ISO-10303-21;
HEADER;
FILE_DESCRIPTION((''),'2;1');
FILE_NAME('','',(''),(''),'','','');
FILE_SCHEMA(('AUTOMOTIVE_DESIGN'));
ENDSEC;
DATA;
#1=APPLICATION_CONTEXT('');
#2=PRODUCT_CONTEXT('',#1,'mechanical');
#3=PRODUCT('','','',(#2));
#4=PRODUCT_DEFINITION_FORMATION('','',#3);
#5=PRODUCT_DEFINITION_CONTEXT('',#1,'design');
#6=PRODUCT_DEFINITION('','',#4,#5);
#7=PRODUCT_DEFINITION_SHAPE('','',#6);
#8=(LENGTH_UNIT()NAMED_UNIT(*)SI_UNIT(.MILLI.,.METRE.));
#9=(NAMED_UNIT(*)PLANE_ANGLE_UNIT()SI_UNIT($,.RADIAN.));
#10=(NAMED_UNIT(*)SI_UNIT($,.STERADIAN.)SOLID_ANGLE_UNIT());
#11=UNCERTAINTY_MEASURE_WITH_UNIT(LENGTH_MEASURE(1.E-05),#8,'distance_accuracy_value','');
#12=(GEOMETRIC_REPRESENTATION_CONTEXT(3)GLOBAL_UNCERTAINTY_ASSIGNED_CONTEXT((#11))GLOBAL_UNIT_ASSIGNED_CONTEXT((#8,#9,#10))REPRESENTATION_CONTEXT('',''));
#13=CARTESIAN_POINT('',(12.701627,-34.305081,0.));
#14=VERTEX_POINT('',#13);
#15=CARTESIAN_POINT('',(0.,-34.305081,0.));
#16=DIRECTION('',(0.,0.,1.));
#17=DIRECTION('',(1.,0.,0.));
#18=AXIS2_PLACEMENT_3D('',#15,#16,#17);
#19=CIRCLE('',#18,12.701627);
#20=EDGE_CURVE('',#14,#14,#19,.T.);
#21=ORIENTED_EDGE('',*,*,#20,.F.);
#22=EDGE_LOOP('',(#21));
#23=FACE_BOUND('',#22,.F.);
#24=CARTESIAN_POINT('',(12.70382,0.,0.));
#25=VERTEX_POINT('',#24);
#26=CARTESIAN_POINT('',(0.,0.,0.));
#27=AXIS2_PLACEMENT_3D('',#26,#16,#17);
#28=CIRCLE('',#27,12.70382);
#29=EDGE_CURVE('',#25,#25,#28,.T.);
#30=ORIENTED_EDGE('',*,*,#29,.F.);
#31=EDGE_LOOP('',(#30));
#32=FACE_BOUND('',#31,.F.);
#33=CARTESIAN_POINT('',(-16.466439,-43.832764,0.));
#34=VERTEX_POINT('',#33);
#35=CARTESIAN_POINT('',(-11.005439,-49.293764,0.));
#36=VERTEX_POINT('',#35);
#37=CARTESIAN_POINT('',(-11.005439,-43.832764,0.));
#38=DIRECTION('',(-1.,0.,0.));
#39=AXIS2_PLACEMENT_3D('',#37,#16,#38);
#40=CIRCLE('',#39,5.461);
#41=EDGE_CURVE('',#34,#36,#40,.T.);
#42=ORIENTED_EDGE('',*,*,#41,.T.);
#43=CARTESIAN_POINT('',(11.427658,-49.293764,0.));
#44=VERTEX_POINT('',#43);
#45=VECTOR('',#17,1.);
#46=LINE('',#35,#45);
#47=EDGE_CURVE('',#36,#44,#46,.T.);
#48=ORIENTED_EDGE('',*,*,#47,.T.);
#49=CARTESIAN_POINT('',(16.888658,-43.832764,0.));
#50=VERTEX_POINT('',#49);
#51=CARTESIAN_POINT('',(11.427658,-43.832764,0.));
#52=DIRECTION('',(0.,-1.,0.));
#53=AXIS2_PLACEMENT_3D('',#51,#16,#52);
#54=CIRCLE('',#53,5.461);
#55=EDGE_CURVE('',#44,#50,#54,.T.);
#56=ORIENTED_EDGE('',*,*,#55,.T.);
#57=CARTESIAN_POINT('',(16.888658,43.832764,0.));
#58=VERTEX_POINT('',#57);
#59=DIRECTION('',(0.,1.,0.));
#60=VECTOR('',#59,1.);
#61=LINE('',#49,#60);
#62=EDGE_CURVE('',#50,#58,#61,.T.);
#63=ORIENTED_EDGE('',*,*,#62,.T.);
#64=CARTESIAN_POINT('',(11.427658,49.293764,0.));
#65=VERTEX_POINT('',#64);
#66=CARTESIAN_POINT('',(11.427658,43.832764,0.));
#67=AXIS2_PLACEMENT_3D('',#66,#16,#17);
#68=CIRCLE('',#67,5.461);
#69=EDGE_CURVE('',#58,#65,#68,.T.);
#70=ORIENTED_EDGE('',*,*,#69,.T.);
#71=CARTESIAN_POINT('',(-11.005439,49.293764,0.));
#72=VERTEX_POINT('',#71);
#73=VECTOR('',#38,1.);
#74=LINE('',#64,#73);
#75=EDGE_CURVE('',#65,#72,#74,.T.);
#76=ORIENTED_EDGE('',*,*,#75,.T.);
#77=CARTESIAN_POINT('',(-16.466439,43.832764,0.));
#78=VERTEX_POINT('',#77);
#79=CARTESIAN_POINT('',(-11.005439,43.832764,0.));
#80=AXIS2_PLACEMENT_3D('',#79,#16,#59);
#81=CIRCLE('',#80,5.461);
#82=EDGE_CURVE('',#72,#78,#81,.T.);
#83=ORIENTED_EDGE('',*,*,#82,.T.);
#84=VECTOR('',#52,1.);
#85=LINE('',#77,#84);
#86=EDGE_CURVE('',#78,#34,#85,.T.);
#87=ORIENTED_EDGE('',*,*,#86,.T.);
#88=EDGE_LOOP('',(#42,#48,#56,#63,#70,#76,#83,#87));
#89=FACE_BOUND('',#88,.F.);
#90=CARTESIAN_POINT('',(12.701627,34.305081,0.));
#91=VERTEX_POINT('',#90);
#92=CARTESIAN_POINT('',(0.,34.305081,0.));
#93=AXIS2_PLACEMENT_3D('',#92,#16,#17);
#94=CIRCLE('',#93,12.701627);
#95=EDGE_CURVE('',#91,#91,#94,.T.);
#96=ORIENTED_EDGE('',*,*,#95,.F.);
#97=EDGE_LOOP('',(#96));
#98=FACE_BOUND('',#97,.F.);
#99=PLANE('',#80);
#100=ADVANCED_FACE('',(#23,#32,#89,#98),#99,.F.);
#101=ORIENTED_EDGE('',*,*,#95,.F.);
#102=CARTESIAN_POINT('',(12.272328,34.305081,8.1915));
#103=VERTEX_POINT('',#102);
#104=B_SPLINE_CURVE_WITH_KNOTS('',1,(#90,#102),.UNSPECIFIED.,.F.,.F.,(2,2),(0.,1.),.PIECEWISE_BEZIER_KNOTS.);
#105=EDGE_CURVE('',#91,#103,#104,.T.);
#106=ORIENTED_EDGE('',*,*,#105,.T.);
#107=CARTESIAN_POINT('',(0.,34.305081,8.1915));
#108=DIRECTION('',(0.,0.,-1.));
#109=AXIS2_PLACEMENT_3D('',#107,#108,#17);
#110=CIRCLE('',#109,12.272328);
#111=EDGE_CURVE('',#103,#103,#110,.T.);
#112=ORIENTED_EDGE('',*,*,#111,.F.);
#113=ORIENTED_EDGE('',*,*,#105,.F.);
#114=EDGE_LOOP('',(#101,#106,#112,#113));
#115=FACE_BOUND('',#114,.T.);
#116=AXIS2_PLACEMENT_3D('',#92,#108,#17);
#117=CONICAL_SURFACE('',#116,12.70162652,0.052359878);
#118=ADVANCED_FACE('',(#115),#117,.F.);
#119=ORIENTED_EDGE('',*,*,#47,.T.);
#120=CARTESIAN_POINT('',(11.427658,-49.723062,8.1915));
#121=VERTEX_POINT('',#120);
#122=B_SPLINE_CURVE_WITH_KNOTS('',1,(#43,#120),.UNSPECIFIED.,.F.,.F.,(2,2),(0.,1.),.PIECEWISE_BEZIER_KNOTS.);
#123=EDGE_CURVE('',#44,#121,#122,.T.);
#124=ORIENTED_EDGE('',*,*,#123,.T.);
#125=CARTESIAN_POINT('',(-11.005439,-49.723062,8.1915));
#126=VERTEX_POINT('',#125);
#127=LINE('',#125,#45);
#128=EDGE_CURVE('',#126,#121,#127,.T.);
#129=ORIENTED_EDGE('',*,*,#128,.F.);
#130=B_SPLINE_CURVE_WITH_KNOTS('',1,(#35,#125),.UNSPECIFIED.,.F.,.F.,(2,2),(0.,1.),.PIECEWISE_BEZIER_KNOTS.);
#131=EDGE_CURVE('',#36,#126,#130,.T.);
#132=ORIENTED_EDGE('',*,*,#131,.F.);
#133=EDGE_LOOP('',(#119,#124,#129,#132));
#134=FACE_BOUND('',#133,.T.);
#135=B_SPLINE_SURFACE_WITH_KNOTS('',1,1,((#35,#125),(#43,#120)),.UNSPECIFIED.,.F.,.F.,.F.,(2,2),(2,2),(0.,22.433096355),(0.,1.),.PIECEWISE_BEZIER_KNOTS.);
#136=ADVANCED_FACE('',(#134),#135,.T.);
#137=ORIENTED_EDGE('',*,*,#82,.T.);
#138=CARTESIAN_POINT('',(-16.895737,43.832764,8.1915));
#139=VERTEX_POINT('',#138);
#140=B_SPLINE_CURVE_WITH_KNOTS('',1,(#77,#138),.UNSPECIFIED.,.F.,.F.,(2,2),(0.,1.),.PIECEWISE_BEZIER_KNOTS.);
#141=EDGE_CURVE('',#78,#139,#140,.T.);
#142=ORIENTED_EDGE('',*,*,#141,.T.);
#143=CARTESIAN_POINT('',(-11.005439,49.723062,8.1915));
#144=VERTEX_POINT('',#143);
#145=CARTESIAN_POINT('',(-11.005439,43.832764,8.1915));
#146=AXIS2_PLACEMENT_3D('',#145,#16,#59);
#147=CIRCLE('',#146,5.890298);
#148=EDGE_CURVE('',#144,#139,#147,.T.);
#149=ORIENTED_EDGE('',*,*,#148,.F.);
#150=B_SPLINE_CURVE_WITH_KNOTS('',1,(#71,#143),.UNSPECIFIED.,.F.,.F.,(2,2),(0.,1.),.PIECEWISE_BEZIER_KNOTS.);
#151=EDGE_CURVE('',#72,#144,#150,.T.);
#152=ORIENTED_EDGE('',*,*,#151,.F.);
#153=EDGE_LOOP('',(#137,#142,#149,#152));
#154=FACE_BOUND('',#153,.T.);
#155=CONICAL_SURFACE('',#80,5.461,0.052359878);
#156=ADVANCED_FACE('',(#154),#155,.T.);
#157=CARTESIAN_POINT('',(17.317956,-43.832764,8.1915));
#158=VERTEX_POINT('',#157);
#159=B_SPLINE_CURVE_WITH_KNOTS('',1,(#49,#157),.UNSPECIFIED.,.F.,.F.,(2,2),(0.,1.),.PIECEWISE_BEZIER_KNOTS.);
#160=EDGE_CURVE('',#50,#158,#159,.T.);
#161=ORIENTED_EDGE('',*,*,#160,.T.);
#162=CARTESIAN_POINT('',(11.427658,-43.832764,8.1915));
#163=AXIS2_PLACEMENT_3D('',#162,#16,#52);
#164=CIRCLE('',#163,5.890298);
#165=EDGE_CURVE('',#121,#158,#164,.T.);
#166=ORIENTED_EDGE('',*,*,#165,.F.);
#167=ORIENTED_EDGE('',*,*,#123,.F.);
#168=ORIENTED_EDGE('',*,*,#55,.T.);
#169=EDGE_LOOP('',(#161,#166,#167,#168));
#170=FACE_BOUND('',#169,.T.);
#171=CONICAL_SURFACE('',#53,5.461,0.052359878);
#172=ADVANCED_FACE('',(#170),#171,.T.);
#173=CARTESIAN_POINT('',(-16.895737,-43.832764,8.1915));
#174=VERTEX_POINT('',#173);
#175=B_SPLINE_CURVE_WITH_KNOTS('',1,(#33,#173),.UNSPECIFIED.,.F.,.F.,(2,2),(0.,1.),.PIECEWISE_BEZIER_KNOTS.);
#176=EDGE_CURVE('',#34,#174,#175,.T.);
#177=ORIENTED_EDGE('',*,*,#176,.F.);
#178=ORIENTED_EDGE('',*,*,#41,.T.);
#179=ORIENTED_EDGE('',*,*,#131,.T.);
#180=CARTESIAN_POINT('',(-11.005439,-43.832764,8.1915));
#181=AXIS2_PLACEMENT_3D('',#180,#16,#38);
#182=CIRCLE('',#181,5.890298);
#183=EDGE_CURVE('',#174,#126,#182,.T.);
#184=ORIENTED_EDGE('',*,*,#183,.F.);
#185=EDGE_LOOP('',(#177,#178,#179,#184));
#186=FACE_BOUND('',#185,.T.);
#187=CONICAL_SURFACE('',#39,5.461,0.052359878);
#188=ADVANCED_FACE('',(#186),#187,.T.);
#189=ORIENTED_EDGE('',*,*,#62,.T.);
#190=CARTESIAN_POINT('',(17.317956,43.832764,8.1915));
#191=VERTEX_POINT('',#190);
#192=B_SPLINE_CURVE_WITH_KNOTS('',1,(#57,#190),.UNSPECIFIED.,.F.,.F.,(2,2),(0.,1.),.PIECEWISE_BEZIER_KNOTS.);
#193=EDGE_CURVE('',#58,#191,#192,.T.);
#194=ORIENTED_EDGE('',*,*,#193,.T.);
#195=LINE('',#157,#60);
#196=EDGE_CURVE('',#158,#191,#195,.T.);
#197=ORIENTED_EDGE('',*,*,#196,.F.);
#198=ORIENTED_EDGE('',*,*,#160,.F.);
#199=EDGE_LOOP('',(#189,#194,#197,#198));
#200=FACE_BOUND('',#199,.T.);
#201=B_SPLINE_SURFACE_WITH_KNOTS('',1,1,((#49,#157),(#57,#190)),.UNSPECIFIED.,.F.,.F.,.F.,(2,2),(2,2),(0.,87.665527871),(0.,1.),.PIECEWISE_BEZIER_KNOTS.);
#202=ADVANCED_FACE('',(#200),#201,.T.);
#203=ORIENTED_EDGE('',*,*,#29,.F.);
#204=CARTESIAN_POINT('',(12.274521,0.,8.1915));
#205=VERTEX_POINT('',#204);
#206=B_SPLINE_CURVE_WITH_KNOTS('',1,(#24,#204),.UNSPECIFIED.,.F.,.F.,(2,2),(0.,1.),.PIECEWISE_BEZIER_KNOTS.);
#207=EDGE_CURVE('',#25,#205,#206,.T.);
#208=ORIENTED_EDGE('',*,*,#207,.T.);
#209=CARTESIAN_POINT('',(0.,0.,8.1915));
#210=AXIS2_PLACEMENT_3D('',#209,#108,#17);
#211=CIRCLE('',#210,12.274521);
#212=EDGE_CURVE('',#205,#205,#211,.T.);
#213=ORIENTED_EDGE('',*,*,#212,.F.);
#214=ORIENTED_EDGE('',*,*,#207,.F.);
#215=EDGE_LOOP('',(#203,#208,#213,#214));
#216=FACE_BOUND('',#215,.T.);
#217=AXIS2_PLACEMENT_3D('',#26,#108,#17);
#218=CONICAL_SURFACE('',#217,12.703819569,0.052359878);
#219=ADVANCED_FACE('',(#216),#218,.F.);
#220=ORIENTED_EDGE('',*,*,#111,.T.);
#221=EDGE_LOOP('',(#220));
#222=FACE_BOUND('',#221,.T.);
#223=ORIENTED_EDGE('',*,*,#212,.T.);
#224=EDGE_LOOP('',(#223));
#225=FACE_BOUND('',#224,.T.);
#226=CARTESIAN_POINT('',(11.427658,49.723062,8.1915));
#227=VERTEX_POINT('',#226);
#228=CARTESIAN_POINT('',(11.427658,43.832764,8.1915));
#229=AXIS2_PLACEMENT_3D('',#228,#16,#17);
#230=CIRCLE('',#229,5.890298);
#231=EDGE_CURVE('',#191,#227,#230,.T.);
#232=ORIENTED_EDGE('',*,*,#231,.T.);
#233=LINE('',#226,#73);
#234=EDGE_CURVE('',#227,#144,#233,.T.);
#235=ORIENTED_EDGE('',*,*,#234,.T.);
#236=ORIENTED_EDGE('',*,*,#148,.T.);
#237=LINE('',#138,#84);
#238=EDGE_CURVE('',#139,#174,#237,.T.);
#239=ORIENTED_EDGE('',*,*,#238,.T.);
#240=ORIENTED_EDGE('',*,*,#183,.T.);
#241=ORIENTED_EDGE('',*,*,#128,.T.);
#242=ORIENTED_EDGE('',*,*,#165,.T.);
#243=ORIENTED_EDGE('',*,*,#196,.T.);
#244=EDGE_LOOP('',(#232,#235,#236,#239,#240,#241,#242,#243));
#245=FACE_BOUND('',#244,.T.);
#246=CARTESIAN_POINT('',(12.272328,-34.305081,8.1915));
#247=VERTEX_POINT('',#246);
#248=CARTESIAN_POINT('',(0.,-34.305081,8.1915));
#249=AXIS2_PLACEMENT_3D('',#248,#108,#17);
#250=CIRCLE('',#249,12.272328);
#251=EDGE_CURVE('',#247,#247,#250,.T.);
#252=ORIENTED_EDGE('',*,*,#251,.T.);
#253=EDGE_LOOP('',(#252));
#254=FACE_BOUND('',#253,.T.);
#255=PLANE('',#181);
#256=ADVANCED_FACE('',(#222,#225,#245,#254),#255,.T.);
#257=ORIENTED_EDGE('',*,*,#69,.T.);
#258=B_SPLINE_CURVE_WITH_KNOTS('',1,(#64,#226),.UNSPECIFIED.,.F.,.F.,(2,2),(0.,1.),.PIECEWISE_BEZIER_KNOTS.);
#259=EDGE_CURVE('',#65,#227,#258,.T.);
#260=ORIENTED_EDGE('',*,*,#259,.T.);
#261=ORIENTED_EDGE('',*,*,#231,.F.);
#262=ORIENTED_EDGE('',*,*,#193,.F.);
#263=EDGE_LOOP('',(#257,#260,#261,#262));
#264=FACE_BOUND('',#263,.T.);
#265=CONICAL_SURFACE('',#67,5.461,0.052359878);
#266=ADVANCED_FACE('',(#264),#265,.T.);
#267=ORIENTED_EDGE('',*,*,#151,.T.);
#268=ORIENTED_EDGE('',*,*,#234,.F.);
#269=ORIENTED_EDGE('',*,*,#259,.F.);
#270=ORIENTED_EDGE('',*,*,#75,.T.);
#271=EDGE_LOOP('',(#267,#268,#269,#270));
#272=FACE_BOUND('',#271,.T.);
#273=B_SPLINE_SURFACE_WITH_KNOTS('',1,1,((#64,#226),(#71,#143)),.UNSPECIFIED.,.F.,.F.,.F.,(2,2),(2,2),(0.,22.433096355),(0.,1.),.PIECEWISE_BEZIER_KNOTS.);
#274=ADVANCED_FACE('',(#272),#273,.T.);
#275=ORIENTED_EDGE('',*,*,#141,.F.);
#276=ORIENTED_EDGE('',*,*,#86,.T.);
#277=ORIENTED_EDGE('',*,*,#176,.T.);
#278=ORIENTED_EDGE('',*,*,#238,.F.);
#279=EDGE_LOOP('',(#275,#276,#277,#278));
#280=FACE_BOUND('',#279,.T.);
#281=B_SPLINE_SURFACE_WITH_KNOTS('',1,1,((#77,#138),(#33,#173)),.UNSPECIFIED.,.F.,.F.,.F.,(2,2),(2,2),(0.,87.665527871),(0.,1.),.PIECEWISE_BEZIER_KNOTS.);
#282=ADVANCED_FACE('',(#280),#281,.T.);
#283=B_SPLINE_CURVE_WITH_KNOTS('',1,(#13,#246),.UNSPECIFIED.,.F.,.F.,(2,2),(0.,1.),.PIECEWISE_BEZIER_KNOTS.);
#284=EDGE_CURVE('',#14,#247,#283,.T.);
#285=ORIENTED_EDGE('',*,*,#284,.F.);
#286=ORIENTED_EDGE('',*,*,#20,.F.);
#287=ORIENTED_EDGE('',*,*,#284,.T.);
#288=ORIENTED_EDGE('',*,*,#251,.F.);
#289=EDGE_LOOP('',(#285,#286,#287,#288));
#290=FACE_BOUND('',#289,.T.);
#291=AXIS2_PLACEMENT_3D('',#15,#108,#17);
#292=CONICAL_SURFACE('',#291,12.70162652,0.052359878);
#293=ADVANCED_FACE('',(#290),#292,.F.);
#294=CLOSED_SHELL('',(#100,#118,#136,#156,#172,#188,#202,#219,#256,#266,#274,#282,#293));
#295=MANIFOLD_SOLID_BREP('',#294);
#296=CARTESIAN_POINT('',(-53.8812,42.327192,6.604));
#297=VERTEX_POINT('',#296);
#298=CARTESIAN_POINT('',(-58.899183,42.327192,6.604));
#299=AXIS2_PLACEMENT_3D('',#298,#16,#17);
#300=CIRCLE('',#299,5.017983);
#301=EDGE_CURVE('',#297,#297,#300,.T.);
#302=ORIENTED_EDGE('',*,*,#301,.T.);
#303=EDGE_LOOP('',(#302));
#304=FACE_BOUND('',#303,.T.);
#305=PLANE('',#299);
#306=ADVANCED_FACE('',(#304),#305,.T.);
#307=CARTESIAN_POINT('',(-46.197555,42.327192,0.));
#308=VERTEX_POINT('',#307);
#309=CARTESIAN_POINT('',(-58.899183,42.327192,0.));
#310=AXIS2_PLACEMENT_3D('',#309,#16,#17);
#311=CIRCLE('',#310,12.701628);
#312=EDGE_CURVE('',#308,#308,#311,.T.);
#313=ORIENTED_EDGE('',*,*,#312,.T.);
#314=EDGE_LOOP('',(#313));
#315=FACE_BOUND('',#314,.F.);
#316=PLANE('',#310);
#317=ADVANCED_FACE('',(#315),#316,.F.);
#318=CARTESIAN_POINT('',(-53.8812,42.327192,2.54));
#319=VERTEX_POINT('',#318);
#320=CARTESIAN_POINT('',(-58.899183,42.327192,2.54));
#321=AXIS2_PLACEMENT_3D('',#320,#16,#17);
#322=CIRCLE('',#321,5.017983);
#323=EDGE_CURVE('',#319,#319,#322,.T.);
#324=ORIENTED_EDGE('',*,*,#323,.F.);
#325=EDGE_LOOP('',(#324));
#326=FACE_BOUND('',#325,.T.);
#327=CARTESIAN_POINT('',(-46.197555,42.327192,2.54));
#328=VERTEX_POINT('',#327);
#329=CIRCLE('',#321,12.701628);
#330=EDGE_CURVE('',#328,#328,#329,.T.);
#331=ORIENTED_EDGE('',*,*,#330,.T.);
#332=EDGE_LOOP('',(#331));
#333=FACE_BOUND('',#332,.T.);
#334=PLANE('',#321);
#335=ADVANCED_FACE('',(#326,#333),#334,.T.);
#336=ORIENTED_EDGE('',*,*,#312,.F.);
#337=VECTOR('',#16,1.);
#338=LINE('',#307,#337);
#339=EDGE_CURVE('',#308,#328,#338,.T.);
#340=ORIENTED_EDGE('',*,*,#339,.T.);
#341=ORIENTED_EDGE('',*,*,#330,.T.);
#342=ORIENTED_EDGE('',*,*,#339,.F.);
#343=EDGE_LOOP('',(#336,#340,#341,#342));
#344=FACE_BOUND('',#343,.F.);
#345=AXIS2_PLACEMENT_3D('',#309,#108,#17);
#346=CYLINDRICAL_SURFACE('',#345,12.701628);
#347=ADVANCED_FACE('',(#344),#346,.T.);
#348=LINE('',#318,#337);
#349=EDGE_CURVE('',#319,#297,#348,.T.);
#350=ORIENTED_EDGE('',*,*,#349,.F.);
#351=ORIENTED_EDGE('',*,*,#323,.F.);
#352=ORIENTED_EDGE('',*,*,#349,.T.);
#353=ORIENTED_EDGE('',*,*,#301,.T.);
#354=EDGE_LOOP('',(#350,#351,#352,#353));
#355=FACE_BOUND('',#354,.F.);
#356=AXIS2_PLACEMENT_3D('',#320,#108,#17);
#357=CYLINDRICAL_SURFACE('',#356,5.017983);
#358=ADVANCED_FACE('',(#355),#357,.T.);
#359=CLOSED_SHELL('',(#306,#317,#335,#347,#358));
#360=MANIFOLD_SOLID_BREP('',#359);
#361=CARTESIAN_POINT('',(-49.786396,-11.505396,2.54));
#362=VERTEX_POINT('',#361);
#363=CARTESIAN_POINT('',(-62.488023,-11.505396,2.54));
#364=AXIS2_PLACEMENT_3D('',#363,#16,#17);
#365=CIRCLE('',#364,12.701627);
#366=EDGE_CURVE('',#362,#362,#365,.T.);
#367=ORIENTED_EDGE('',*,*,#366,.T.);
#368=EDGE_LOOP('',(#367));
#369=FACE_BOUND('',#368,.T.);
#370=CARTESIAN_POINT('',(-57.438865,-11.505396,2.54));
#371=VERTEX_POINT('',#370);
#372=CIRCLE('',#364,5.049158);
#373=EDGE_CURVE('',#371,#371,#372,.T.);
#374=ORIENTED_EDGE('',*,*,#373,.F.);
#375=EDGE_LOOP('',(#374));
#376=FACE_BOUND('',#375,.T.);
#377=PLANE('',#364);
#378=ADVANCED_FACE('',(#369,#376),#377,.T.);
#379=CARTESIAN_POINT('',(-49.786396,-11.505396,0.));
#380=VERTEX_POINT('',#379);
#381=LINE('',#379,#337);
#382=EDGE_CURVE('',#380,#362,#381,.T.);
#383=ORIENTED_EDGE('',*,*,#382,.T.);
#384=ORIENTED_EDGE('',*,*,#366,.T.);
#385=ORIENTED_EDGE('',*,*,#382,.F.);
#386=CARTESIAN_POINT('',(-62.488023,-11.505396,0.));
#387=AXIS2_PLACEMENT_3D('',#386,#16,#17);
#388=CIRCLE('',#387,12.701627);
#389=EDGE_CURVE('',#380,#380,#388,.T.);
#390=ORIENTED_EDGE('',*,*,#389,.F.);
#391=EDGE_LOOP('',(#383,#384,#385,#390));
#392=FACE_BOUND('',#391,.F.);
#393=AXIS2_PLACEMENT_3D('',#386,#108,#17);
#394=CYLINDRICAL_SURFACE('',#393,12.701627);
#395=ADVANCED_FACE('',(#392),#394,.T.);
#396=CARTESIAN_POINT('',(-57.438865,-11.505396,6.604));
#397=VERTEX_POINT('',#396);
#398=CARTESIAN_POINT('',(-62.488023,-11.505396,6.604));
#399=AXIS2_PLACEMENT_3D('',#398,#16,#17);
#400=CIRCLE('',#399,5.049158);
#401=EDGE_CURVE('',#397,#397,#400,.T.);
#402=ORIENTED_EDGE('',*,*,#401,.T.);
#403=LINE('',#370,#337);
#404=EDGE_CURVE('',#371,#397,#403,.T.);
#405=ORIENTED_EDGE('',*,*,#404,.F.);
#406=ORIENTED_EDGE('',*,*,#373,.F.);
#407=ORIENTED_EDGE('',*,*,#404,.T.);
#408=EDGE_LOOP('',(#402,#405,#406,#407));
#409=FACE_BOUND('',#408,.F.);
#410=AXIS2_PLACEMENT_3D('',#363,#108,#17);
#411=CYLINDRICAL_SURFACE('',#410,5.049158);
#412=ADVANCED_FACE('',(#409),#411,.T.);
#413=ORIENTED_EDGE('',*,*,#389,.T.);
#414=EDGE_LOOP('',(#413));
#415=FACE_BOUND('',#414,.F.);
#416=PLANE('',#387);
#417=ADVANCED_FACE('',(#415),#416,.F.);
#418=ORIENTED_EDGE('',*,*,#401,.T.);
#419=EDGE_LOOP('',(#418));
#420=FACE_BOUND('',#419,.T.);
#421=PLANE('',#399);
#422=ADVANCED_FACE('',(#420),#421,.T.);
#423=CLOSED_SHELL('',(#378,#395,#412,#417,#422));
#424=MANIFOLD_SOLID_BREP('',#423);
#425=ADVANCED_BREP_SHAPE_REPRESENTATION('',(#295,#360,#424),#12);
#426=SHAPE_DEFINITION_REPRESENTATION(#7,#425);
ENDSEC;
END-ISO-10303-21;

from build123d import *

# Parameters (mm, degrees)
F0_R     = 12.7016265203
F0_R_2   = 12.7038195685
F1_DEPTH = 8.1915
F1_TAPER = -3
F2_R     = 12.701626737
F3_DEPTH = 2.54
F2_R_2   = 12.7016276039
F4_R     = 5.0491582817
F5_DEPTH = 4.064
F6_R     = 5.0179830383
F7_DEPTH = 4.064


with BuildPart() as f1:
    # F0 (on Top) → F1 (new body)
    with BuildSketch(Plane.XY):
        with BuildLine():
            Line((-16.4664387703, 43.8327639356), (-16.4664387703, 21.216372028))
            Line((-16.4664387703, 21.216372028), (-16.4664387703, -21.216372028))
            Line((-16.4664387703, -21.216372028), (-16.4664387703, -43.8327639356))
            ThreePointArc((-16.4664387703, -43.8327639356), (-14.8669489024, -47.6942740676), (-11.0054387703, -49.2937639356))
            Line((-11.0054387703, -49.2937639356), (11.4276575848, -49.2937639356))
            ThreePointArc((11.4276575848, -49.2937639356), (15.2891677168, -47.6942740676), (16.8886575848, -43.8327639356))
            Line((16.8886575848, -43.8327639356), (16.8886575848, -21.216372028))
            Line((16.8886575848, -21.216372028), (16.8886575848, 21.216372028))
            Line((16.8886575848, 21.216372028), (16.8886575848, 43.8327639356))
            ThreePointArc((16.8886575848, 43.8327639356), (15.2891677168, 47.6942740676), (11.4276575848, 49.2937639356))
            Line((11.4276575848, 49.2937639356), (-11.0054387703, 49.2937639356))
            ThreePointArc((-11.0054387703, 49.2937639356), (-14.8669489024, 47.6942740676), (-16.4664387703, 43.8327639356))
        make_face()
        with Locations((0, -34.3050807714)):
            Circle(F0_R, mode=Mode.SUBTRACT)
        Circle(F0_R_2, mode=Mode.SUBTRACT)
        with Locations((0, 34.3050807714)):
            Circle(F0_R, mode=Mode.SUBTRACT)
    extrude(amount=F1_DEPTH, taper=F1_TAPER)


with BuildPart() as f3:
    # F2 (on Top) → F3 (new body)
    with BuildSketch(Plane.XY):
        with Locations((-62.4880231917, -11.5053961053)):
            Circle(F2_R)
    extrude(amount=F3_DEPTH)

    # F4 (on face) → F5 (join)
    with BuildSketch(Plane.XY.offset(2.54)):
        with Locations((-62.4880231917, -11.5053961053)):
            Circle(F4_R)
    extrude(amount=F5_DEPTH)


with BuildPart() as f3b:
    # F2 (on Top) → F3, piece 2 (new body)
    with BuildSketch(Plane.XY):
        with Locations((-58.8991828263, 42.3271916807)):
            Circle(F2_R_2)
    extrude(amount=F3_DEPTH)

    # F6 (on face) → F7 (join)
    with BuildSketch(Plane.XY.offset(2.54)):
        with Locations((-58.8991828263, 42.3271916807)):
            Circle(F6_R)
    extrude(amount=F7_DEPTH)


solid = Compound([f1.part, f3.part, f3b.part])
